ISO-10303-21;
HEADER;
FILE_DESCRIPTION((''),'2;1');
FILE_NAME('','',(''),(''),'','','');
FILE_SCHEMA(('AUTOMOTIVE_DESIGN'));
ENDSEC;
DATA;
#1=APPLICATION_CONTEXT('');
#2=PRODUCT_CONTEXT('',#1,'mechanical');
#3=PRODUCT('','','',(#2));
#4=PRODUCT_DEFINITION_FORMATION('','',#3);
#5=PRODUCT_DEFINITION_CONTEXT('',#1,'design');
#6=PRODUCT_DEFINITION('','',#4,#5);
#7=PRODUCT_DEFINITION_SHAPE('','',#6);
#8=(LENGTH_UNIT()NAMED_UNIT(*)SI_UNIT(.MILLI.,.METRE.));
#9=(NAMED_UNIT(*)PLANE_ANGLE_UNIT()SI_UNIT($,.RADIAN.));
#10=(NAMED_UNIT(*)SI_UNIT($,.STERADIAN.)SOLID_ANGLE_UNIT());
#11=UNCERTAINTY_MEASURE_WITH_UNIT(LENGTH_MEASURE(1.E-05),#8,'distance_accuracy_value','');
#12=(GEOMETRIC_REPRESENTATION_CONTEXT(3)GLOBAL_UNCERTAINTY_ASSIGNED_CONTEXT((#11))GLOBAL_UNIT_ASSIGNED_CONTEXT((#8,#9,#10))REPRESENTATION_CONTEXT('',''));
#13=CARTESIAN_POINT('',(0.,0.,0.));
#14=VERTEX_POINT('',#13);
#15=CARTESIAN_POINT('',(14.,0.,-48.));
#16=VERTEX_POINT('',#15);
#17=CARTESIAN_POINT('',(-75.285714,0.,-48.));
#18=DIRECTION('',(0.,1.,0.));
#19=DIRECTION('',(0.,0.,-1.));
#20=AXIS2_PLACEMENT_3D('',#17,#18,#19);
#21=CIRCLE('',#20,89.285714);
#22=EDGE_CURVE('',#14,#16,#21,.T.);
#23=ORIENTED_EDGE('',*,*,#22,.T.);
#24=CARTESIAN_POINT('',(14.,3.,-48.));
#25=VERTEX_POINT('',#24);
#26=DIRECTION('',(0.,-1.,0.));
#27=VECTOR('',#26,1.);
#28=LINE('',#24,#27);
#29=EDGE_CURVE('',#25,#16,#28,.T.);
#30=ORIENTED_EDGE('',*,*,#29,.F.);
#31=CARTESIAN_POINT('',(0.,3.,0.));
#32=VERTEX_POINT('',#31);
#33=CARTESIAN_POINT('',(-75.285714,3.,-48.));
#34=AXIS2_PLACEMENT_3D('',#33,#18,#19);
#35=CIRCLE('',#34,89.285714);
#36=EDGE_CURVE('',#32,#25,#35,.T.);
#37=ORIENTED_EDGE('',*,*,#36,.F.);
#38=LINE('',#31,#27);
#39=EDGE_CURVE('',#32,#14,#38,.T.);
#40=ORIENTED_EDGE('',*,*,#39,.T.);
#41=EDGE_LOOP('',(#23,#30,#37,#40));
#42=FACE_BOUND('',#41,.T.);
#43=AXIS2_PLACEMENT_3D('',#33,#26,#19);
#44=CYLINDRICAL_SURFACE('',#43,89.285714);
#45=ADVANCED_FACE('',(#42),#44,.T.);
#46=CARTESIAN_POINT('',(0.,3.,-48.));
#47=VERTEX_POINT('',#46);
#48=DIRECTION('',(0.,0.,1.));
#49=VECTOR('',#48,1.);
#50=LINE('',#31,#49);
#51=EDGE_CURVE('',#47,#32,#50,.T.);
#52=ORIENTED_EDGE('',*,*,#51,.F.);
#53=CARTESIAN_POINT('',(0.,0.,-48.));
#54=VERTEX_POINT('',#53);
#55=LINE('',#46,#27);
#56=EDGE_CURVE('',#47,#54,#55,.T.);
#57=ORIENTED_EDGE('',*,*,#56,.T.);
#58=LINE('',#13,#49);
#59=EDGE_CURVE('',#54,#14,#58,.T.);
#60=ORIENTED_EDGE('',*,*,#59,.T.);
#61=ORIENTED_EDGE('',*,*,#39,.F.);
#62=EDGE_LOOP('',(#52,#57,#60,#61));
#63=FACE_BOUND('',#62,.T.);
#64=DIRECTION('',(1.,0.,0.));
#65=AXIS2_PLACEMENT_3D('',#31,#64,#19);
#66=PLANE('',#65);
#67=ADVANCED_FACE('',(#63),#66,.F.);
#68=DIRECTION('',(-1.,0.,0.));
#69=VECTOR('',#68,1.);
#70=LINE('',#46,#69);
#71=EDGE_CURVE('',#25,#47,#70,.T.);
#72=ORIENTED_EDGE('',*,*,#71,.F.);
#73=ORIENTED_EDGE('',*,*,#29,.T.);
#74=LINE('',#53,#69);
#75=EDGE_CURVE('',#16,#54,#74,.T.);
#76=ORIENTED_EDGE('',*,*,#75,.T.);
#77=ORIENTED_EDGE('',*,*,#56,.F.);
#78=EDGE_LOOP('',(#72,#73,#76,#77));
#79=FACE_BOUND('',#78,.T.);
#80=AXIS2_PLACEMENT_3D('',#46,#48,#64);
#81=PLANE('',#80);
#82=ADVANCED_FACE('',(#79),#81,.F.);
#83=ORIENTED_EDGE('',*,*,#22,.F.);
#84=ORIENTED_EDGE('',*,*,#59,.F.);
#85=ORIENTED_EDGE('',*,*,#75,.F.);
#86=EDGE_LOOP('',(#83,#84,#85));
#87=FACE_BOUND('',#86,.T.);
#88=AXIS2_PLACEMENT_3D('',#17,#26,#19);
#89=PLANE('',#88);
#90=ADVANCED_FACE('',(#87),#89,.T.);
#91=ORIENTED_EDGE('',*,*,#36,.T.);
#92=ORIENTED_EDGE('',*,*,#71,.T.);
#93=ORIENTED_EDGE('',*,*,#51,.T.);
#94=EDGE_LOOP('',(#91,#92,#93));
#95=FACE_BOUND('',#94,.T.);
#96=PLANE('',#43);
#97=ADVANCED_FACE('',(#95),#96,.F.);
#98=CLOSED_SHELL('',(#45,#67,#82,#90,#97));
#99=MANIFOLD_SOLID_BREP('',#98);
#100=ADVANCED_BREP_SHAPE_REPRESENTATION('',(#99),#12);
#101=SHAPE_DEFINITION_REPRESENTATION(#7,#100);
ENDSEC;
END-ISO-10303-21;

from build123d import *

# Parameters (mm, degrees)
BOSS_EXTRUDE1_DEPTH = 3


with BuildPart() as part:
    # Sketch1 → Boss-Extrude1 (new body)
    with BuildSketch(Plane(origin=(0, 0, 0), x_dir=(1, 0, 0), z_dir=(0, 1, 0))):
        with BuildLine():
            Line((0, 0), (0, 48))
            Line((0, 48), (14, 48))
            ThreePointArc((14, 48), (10.428571429, 23), (0, 0))
        make_face()
    extrude(amount=BOSS_EXTRUDE1_DEPTH)


solid = part.part
